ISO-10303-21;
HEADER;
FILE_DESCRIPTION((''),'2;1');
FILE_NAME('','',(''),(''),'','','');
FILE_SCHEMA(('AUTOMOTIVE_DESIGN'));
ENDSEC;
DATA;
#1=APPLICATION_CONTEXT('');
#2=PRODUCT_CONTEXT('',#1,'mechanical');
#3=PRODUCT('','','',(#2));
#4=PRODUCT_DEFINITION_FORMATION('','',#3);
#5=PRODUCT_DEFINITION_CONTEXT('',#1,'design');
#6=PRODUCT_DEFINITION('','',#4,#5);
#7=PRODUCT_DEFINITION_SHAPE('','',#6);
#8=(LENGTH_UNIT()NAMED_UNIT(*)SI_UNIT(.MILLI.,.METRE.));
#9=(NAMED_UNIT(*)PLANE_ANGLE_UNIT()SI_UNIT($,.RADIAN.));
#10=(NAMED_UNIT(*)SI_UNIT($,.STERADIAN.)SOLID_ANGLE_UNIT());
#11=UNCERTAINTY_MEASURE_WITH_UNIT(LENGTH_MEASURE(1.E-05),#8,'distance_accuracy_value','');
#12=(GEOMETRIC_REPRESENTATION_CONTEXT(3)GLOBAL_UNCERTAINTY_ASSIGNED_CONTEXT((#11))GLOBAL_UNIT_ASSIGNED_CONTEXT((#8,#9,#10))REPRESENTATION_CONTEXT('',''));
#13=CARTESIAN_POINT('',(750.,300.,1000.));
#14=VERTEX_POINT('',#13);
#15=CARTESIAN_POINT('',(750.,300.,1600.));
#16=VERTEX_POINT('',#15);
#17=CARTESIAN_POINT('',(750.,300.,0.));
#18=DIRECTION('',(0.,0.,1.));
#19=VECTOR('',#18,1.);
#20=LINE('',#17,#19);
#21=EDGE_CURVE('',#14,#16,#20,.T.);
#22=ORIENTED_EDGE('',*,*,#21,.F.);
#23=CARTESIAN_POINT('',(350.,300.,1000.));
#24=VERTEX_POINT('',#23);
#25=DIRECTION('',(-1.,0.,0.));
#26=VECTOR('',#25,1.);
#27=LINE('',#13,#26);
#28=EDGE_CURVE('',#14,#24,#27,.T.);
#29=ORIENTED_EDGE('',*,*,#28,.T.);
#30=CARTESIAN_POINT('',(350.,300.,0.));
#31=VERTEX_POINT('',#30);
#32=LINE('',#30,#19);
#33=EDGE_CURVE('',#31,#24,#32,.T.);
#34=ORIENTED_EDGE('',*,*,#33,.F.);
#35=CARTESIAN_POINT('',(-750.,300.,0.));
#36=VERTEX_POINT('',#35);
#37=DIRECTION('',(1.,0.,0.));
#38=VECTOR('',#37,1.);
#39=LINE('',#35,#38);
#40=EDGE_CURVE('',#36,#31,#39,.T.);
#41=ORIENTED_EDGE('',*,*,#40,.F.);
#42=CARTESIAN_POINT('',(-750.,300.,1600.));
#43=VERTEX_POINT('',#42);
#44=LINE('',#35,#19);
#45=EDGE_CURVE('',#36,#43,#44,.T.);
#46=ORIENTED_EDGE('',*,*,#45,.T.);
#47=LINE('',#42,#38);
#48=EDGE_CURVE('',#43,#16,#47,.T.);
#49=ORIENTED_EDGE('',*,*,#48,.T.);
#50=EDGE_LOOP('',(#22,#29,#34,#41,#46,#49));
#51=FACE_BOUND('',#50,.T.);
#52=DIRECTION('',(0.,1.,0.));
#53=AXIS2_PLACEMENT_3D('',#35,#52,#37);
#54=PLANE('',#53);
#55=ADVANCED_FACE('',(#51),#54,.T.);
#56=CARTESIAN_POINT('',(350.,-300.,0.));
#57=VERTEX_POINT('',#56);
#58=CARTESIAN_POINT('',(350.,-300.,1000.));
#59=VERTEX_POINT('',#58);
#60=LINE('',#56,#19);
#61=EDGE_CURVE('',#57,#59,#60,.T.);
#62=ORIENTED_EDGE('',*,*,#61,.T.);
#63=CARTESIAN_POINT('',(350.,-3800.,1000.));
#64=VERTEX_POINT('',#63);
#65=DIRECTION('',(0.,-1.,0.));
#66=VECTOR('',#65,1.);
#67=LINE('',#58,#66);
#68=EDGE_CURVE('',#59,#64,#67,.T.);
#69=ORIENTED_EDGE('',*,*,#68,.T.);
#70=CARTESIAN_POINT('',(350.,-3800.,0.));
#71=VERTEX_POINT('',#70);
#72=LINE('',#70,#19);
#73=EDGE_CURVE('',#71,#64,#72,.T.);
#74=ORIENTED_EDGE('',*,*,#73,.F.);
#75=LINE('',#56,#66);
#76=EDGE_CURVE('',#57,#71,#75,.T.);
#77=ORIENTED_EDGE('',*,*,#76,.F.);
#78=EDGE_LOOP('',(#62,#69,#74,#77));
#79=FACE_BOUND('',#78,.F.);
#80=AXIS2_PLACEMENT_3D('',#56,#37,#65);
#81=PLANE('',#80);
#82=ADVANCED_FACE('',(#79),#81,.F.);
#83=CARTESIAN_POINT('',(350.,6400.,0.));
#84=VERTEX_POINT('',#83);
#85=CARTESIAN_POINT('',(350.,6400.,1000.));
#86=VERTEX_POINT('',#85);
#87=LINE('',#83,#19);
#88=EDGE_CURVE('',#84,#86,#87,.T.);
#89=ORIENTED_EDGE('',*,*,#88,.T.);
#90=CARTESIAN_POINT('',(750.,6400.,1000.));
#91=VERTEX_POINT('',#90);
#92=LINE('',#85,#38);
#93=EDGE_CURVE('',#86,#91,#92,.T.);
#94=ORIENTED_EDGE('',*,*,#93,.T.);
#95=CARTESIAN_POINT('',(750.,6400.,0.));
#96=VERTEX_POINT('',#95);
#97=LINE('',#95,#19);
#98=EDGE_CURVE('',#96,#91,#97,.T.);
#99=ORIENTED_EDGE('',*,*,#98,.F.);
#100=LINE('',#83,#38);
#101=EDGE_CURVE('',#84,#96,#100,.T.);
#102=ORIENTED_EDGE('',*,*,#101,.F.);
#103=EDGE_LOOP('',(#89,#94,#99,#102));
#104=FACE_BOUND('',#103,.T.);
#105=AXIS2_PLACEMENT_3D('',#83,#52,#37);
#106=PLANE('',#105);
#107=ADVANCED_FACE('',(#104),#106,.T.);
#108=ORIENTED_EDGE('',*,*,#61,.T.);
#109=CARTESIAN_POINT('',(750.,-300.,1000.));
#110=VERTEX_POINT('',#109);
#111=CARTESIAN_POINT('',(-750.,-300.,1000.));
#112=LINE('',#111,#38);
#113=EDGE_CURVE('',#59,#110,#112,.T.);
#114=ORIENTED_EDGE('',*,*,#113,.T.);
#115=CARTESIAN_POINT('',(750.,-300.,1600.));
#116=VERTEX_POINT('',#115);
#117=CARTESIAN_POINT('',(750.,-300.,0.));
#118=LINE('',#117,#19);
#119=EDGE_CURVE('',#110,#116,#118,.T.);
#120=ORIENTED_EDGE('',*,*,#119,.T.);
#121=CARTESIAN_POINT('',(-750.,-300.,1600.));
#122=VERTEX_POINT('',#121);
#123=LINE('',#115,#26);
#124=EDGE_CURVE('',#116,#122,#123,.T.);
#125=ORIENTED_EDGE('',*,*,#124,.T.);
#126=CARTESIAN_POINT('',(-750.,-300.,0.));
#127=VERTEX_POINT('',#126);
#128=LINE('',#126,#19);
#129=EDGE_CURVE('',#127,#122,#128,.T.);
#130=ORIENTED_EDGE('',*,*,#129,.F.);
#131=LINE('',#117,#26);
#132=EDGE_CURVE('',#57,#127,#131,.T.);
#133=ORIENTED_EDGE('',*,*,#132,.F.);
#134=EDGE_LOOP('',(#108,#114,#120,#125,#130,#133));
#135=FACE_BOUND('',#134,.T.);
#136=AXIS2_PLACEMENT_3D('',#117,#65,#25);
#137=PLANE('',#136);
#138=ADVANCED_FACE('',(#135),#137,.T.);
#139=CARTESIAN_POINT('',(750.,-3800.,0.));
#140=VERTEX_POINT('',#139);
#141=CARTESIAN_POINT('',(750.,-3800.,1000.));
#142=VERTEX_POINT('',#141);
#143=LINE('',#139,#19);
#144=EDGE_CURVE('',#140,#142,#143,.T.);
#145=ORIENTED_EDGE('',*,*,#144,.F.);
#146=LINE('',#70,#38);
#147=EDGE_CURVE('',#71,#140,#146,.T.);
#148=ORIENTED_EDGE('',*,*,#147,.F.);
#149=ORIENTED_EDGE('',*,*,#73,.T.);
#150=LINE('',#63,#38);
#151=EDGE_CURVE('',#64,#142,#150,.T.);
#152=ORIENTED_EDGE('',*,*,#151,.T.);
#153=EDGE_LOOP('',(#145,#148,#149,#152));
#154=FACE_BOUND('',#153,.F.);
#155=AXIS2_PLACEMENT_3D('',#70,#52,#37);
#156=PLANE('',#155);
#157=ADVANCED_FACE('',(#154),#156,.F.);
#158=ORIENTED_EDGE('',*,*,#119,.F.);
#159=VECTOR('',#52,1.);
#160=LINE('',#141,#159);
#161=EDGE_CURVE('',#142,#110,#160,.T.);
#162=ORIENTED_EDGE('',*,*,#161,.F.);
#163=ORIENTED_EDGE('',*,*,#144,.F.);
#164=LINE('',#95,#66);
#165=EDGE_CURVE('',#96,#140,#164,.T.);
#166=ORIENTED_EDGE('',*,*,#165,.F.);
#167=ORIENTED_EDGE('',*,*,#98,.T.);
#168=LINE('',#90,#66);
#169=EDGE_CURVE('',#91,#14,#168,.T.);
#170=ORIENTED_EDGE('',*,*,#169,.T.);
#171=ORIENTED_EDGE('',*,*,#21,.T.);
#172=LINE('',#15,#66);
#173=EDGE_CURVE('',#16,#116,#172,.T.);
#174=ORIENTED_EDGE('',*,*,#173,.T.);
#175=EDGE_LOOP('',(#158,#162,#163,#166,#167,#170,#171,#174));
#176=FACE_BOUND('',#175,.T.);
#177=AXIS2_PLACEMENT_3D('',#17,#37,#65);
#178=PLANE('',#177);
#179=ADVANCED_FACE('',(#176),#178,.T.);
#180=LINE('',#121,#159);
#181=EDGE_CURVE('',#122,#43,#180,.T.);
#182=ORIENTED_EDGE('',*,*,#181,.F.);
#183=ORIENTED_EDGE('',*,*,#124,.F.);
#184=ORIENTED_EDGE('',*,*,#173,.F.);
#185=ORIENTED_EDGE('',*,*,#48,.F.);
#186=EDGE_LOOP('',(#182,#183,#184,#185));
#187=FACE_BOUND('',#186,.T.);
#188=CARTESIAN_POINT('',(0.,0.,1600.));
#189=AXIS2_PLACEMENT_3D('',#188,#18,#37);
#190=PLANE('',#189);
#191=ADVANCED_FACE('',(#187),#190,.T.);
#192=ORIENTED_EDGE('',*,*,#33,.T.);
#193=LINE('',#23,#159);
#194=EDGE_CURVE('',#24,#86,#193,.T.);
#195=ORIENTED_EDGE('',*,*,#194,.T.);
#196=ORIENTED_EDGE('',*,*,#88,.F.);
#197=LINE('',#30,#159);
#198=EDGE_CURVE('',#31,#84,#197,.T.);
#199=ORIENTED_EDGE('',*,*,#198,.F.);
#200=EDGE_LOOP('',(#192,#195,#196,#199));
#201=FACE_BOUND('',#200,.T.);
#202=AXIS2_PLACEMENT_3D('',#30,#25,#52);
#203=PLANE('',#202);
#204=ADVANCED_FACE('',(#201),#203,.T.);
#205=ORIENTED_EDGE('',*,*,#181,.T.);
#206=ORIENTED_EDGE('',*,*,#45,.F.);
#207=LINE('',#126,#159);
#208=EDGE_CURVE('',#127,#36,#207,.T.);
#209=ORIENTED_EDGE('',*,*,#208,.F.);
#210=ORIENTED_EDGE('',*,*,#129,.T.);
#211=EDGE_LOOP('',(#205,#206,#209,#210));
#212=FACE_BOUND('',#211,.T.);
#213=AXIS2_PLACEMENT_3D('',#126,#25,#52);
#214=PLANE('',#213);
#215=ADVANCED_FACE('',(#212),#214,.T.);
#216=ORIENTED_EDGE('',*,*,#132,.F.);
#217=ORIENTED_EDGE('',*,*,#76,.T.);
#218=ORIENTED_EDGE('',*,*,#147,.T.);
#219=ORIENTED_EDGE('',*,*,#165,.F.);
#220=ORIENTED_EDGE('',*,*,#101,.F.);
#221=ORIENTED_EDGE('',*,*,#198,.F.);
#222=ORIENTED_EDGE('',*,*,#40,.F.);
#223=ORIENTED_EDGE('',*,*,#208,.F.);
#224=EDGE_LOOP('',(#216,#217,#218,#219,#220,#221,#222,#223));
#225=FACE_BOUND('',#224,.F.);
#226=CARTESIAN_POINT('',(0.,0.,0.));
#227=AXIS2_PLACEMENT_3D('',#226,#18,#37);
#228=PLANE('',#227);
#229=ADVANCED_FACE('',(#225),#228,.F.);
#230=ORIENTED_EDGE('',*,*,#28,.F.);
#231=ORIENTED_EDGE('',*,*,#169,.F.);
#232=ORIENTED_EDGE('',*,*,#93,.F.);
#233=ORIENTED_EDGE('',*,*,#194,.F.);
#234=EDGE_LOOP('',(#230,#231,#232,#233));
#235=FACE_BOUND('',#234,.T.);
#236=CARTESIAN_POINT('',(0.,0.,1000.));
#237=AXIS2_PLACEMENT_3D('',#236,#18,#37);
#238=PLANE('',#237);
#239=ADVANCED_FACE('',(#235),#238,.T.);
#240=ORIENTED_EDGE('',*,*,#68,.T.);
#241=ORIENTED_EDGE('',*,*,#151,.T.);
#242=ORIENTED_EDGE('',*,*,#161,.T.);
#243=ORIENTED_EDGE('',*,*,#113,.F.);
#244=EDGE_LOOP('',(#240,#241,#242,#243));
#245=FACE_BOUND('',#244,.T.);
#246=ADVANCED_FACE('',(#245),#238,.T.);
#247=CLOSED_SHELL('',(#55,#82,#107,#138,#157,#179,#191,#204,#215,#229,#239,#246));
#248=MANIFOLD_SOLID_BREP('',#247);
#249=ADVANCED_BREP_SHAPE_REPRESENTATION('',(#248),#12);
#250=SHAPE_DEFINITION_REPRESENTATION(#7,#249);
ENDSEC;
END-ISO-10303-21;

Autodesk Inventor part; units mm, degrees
ref_plane "YZ Plane" through (0, 0, 0) normal (1, 0, 0) x (0, 1, 0)
ref_plane "XZ Plane" through (0, 0, 0) normal (0, 1, 0) x (-1, 0, 0)
ref_plane "XY Plane" through (0, 0, 0) normal (0, 0, 1) x (1, 0, 0)
sketch "Sketch1" plane through (0, 0, 0) normal (0, 0, 1) x (1, 0, 0)
  line L0 (-750, 300) -> (750, 300)
  line L1 (750, 300) -> (750, -300)
  line L2 (750, -300) -> (-750, -300)
  line L3 (-750, -300) -> (-750, 300)
  line L4 (-750, 300) -> (750, -300) construction
  line L5 (750, 300) -> (-750, -300) construction
  point P0 (0, 0)
  dimension "d0" = 1500
  dimension "d1" = 600
extrude "Extrusion1" add sketch "Sketch1" along normal blind 1600
sketch "Sketch2" plane through (0, 0, 0) normal (0, 0, 1) x (1, 0, 0)
  line L0 (-750, -300) -> (750, -300) projected
  line L1 (750, -300) -> (750, 300) projected
  line L2 (750, 300) -> (-750, 300) projected
  line L3 (-750, 300) -> (-750, -300) projected
  line L4 (750, 300) -> (350, 300)
  line L5 (350, 300) -> (350, 6400)
  line L6 (350, 6400) -> (750, 6400)
  line L7 (750, 6400) -> (750, 300)
  line L8 (-750, -300) -> (750, -300) projected
  line L9 (750, -300) -> (350, -300)
  line L10 (350, -300) -> (350, -3800)
  line L11 (350, -3800) -> (750, -3800)
  line L12 (750, -3800) -> (750, -300)
  point P0 (0, 0)
  dimension "d4" = 400
  dimension "d5" = 6100
  dimension "d6" = 3500
extrude "Extrusion2" add sketch "Sketch2" along normal blind 1000 contours L0 L12 L11 L10 | L5 L6 L7 L2
